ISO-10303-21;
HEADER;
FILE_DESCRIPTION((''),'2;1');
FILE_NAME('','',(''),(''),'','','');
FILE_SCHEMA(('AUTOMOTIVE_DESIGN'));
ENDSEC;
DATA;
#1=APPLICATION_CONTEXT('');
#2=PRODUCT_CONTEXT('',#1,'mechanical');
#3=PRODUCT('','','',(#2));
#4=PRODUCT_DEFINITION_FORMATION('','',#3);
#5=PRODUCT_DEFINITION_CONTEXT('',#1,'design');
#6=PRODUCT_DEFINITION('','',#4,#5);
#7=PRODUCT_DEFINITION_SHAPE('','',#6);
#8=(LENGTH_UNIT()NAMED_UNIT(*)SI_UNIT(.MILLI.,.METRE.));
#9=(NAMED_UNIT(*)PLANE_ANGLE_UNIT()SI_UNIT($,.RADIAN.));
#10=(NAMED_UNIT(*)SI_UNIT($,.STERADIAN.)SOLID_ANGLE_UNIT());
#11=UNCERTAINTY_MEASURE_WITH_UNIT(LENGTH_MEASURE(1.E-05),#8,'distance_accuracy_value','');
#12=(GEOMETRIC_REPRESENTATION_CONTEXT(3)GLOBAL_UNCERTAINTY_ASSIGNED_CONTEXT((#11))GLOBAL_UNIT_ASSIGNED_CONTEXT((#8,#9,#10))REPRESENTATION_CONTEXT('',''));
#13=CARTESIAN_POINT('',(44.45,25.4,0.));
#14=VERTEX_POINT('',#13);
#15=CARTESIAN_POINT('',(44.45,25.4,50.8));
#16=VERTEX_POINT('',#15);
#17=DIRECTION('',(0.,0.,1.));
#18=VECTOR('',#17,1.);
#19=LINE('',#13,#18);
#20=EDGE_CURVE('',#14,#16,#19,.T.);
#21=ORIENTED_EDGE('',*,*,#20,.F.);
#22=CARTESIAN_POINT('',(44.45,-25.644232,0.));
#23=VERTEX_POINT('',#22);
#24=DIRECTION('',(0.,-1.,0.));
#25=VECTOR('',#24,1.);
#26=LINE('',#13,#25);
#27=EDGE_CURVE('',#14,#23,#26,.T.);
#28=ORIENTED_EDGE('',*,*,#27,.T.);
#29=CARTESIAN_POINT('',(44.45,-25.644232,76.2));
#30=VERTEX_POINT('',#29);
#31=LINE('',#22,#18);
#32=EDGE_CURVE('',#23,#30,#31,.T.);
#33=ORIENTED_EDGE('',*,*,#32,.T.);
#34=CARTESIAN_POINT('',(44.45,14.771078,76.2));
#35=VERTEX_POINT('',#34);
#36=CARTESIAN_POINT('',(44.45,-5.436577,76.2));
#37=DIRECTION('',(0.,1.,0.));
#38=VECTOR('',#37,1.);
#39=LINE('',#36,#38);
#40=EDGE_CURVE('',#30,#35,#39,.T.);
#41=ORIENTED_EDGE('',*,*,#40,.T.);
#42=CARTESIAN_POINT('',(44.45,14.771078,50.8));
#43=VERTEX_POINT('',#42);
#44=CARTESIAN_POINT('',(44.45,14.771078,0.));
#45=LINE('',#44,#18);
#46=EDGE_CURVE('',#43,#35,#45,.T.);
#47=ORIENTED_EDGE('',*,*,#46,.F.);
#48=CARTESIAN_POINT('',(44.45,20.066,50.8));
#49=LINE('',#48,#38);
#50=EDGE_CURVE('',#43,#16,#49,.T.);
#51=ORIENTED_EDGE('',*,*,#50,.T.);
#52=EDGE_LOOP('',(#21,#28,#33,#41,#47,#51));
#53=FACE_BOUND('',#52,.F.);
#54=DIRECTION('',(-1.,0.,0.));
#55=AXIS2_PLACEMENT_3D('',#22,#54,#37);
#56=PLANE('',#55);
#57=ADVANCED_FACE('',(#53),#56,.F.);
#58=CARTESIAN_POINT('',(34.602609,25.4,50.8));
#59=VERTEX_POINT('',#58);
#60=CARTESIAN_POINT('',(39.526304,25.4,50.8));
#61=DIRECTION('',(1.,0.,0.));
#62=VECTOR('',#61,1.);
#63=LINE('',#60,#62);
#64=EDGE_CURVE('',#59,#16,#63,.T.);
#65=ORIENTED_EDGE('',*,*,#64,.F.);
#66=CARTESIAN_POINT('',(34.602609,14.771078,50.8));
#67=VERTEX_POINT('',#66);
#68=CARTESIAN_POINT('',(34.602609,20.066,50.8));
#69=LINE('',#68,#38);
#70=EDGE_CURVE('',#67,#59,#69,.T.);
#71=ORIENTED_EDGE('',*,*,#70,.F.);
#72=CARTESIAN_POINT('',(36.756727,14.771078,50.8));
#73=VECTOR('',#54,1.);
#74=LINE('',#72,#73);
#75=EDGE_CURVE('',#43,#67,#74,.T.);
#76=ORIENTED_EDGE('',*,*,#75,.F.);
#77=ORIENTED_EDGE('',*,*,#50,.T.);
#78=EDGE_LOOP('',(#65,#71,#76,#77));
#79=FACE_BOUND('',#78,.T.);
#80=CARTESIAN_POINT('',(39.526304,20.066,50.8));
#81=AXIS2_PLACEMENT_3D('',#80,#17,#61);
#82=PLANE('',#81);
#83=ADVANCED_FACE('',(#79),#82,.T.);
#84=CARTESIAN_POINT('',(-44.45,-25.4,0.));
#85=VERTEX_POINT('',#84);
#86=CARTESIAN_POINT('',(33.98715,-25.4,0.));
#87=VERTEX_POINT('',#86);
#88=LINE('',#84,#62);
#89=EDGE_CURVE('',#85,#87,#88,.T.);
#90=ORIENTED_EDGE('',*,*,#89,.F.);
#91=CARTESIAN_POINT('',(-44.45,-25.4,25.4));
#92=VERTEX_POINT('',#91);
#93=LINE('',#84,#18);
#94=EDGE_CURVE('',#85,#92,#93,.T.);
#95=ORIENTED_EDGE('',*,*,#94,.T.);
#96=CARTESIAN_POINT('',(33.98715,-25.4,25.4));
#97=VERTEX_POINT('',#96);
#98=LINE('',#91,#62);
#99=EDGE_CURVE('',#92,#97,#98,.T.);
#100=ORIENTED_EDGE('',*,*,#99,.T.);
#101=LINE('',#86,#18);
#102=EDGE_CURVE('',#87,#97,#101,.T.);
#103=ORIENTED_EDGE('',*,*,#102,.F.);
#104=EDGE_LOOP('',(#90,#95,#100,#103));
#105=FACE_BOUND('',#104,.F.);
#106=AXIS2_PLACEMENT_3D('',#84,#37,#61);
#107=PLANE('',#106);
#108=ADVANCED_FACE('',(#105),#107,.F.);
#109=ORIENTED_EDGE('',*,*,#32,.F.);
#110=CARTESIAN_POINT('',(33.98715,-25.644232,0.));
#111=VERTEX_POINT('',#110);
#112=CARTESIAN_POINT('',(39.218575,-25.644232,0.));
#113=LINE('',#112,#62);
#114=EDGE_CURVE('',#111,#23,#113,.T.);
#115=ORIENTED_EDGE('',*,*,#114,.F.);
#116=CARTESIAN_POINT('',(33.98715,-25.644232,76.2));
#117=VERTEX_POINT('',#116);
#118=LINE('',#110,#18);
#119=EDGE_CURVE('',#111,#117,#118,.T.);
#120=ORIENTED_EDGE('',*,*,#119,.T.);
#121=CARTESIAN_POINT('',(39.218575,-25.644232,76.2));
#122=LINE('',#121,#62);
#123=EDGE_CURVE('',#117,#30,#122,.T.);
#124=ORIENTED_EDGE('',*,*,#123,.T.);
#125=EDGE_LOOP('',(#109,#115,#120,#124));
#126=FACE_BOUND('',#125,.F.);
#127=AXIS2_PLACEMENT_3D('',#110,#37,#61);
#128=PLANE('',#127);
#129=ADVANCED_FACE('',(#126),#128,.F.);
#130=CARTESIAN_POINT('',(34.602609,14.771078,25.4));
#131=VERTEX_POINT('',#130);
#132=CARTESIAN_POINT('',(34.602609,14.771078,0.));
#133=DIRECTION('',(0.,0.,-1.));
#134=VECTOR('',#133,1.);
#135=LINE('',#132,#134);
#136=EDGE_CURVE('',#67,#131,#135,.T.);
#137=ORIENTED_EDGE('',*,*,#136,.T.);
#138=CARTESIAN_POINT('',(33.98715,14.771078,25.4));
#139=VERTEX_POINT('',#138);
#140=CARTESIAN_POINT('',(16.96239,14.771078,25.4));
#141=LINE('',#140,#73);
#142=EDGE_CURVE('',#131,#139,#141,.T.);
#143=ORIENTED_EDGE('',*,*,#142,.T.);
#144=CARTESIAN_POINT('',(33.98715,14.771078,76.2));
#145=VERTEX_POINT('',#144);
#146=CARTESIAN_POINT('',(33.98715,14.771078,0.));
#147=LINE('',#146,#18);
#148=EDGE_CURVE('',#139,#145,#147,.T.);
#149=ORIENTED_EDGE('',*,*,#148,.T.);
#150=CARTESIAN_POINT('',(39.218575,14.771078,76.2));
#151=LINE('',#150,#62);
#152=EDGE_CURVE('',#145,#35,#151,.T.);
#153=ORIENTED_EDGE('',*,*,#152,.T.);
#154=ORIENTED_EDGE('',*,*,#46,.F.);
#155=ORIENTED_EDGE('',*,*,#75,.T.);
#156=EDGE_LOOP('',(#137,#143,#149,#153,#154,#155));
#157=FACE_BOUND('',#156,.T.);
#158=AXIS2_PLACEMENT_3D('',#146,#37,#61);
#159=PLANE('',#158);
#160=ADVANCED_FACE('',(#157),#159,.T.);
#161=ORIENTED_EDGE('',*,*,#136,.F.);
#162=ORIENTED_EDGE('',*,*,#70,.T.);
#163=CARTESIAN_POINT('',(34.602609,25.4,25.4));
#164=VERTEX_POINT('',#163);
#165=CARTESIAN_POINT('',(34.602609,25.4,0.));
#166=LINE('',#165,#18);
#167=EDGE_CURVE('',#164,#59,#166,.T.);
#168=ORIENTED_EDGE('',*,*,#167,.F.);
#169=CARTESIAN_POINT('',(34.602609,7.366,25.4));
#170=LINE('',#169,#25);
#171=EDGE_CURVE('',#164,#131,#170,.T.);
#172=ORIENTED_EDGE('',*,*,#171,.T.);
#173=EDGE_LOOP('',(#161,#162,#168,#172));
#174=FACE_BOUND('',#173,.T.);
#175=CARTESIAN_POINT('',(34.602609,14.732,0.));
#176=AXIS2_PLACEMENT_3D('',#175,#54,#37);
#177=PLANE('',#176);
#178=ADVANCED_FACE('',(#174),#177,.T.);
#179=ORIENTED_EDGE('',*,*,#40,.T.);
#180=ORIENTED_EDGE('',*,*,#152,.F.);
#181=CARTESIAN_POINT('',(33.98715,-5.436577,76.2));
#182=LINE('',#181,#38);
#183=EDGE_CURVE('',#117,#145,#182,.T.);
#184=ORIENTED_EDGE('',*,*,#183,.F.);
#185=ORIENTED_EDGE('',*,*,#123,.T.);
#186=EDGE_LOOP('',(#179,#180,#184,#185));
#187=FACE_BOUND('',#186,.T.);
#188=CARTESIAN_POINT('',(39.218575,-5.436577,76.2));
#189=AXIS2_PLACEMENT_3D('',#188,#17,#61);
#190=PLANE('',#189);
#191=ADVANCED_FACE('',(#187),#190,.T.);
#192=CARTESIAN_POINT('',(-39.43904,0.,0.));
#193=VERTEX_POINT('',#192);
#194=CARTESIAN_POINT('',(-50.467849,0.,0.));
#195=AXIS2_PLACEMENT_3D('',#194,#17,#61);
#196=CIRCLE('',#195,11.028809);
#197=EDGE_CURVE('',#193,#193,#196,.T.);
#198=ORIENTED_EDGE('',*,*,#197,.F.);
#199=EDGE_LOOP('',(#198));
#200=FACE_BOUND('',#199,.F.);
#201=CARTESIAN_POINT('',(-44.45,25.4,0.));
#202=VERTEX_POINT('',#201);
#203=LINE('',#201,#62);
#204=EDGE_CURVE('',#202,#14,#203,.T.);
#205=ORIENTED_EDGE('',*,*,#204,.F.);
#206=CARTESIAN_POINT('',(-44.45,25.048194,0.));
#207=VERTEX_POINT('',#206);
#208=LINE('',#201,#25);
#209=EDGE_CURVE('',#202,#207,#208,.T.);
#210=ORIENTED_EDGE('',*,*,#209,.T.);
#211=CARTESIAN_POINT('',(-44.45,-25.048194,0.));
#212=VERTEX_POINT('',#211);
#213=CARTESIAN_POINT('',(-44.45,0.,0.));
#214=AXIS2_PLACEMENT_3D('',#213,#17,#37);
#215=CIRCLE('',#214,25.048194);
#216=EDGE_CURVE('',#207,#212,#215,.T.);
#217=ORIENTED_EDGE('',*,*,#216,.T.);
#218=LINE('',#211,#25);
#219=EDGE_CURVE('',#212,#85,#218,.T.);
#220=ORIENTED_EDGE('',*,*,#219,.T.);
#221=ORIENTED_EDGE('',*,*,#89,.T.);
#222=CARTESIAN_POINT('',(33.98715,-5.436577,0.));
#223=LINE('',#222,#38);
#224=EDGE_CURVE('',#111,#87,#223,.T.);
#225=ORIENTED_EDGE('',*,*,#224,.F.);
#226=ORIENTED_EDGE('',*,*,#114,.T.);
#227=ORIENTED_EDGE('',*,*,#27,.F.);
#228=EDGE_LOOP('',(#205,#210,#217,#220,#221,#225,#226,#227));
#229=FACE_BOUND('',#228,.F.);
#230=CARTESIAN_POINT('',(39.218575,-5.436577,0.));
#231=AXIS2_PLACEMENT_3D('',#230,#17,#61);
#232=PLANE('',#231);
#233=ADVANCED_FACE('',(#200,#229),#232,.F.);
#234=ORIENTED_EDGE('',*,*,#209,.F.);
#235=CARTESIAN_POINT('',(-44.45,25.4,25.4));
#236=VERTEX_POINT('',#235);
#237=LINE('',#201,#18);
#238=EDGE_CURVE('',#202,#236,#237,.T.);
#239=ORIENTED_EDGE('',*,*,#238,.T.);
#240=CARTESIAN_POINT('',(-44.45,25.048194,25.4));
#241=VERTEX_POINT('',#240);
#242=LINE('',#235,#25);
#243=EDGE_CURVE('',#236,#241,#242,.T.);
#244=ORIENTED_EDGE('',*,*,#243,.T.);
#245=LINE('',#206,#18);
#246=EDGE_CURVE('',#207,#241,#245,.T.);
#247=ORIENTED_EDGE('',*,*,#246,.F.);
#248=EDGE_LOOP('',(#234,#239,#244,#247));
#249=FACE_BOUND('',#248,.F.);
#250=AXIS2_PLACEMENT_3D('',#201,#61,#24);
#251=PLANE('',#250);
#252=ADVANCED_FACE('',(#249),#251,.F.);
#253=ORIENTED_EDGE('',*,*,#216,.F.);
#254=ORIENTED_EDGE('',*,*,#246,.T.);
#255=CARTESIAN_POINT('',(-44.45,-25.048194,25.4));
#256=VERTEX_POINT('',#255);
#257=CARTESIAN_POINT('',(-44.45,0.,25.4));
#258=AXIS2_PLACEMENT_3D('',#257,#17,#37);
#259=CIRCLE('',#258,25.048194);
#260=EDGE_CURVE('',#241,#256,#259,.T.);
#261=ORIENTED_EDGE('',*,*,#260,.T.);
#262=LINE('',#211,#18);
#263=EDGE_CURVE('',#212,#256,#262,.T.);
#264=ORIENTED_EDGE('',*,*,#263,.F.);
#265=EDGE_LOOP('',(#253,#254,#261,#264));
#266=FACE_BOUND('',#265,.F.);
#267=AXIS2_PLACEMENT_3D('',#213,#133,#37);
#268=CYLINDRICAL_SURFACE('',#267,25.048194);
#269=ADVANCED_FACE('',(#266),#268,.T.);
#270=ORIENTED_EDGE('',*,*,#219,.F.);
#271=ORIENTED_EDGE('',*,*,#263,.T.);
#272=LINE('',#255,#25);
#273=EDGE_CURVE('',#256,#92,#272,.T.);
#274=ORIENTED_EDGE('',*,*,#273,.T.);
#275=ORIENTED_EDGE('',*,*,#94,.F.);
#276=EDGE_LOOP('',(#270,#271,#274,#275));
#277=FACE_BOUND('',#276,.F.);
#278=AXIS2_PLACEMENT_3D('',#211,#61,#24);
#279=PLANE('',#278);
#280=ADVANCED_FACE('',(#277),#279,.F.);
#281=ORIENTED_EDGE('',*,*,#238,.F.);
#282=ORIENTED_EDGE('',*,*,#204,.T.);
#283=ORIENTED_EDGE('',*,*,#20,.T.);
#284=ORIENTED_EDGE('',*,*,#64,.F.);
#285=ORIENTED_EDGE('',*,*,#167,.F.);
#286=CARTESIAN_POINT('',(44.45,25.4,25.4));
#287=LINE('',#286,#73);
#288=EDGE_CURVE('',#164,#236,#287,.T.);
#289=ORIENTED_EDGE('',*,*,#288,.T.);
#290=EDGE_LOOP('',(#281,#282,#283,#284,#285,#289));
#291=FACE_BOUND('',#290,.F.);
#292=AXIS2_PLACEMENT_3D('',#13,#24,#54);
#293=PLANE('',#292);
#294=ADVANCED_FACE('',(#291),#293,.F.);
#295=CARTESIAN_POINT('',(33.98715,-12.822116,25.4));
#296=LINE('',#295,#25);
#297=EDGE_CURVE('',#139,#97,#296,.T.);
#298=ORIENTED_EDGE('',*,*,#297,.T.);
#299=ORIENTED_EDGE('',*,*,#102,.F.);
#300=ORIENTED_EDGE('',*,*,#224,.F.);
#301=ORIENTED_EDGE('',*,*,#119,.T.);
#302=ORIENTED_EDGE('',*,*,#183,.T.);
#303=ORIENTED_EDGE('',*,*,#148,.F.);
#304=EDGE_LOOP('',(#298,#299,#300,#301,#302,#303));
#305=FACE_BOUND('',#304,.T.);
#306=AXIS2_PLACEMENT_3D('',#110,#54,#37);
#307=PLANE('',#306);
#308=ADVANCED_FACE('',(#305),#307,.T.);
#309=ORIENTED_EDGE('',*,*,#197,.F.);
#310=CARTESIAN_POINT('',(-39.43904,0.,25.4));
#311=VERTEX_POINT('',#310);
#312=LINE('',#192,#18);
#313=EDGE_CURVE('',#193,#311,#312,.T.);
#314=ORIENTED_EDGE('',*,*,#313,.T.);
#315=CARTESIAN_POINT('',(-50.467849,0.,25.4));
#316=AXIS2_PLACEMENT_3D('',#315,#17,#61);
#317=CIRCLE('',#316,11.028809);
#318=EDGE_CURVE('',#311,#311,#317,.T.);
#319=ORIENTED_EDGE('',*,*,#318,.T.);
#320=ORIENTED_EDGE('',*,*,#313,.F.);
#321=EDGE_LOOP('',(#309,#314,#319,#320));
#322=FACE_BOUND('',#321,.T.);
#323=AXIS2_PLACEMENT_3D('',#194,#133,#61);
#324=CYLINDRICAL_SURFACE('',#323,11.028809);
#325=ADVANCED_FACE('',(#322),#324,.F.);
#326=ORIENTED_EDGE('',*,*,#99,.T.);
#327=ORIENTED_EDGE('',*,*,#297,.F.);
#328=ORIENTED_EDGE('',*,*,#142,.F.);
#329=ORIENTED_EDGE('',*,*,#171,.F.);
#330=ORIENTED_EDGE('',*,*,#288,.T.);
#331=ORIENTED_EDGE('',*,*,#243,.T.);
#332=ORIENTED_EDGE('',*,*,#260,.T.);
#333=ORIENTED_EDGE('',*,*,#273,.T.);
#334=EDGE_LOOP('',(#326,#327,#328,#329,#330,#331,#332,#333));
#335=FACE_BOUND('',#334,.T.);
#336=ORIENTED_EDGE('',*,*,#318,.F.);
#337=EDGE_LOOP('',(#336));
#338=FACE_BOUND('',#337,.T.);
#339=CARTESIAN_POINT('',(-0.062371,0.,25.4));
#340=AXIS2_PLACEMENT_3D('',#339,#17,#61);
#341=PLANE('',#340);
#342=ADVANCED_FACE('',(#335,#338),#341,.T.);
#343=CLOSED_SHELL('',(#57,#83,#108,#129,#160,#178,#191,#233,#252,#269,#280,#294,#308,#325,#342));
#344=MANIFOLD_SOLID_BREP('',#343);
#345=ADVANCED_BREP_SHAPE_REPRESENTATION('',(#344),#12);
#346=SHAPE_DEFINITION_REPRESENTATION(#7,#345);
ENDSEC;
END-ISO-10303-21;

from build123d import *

# Parameters (mm, degrees)
F1_DEPTH = 25.4
F2_R     = 11.0288087202
F3_DEPTH = 25.4
F4_W     = 9.8473913968
F4_H     = 10.6680002064
F6_DEPTH = 50.8
F5_W     = 10.4628503323
F5_H     = 40.4153093696
F7_DEPTH = 76.2


with BuildPart() as f1:
    # F0 (on Top) → F1 (new body)
    with BuildSketch(Plane.XY):
        with BuildLine():
            Line((-44.45, -25.4), (44.45, -25.4))
            Line((44.45, -25.4), (44.45, 25.4))
            Line((44.45, 25.4), (-44.45, 25.4))
            Line((-44.45, 25.4), (-44.45, 25.0481939564))
            ThreePointArc((-44.45, 25.0481939564), (-26.738252197, 17.711747803), (-19.4018060436, 0))
            ThreePointArc((-19.4018060436, 0), (-26.738252197, -17.711747803), (-44.45, -25.0481939564))
            Line((-44.45, -25.0481939564), (-44.45, -25.4))
        make_face()
        with BuildLine():
            ThreePointArc((-44.45, 25.0481939564), (-69.4981939564, 0), (-44.45, -25.0481939564))
            Line((-44.45, -25.0481939564), (-44.45, 25.0481939564))
        make_face()
        with BuildLine():
            Line((-44.45, 25.0481939564), (-44.45, -25.0481939564))
            ThreePointArc((-44.45, -25.0481939564), (-26.738252197, -17.711747803), (-19.4018060436, 0))
            ThreePointArc((-19.4018060436, 0), (-26.738252197, 17.711747803), (-44.45, 25.0481939564))
        make_face()
    extrude(amount=F1_DEPTH)

    # F2 (on Top) → F3 (cut)
    with BuildSketch(Plane.XY):
        with Locations((-50.4678487778, 0)):
            Circle(F2_R)
    extrude(amount=F3_DEPTH, mode=Mode.SUBTRACT)

    # F4 (on Top) → F6 (join)
    with BuildSketch(Plane.XY):
        with Locations((39.5263043016, 20.0659998968)):
            Rectangle(F4_W, F4_H)
    extrude(amount=F6_DEPTH)

    # F5 (on Top) → F7 (join)
    with BuildSketch(Plane.XY):
        with Locations((39.2185748339, -5.4365769029)):
            Rectangle(F5_W, F5_H)
    extrude(amount=F7_DEPTH)


solid = f1.part
